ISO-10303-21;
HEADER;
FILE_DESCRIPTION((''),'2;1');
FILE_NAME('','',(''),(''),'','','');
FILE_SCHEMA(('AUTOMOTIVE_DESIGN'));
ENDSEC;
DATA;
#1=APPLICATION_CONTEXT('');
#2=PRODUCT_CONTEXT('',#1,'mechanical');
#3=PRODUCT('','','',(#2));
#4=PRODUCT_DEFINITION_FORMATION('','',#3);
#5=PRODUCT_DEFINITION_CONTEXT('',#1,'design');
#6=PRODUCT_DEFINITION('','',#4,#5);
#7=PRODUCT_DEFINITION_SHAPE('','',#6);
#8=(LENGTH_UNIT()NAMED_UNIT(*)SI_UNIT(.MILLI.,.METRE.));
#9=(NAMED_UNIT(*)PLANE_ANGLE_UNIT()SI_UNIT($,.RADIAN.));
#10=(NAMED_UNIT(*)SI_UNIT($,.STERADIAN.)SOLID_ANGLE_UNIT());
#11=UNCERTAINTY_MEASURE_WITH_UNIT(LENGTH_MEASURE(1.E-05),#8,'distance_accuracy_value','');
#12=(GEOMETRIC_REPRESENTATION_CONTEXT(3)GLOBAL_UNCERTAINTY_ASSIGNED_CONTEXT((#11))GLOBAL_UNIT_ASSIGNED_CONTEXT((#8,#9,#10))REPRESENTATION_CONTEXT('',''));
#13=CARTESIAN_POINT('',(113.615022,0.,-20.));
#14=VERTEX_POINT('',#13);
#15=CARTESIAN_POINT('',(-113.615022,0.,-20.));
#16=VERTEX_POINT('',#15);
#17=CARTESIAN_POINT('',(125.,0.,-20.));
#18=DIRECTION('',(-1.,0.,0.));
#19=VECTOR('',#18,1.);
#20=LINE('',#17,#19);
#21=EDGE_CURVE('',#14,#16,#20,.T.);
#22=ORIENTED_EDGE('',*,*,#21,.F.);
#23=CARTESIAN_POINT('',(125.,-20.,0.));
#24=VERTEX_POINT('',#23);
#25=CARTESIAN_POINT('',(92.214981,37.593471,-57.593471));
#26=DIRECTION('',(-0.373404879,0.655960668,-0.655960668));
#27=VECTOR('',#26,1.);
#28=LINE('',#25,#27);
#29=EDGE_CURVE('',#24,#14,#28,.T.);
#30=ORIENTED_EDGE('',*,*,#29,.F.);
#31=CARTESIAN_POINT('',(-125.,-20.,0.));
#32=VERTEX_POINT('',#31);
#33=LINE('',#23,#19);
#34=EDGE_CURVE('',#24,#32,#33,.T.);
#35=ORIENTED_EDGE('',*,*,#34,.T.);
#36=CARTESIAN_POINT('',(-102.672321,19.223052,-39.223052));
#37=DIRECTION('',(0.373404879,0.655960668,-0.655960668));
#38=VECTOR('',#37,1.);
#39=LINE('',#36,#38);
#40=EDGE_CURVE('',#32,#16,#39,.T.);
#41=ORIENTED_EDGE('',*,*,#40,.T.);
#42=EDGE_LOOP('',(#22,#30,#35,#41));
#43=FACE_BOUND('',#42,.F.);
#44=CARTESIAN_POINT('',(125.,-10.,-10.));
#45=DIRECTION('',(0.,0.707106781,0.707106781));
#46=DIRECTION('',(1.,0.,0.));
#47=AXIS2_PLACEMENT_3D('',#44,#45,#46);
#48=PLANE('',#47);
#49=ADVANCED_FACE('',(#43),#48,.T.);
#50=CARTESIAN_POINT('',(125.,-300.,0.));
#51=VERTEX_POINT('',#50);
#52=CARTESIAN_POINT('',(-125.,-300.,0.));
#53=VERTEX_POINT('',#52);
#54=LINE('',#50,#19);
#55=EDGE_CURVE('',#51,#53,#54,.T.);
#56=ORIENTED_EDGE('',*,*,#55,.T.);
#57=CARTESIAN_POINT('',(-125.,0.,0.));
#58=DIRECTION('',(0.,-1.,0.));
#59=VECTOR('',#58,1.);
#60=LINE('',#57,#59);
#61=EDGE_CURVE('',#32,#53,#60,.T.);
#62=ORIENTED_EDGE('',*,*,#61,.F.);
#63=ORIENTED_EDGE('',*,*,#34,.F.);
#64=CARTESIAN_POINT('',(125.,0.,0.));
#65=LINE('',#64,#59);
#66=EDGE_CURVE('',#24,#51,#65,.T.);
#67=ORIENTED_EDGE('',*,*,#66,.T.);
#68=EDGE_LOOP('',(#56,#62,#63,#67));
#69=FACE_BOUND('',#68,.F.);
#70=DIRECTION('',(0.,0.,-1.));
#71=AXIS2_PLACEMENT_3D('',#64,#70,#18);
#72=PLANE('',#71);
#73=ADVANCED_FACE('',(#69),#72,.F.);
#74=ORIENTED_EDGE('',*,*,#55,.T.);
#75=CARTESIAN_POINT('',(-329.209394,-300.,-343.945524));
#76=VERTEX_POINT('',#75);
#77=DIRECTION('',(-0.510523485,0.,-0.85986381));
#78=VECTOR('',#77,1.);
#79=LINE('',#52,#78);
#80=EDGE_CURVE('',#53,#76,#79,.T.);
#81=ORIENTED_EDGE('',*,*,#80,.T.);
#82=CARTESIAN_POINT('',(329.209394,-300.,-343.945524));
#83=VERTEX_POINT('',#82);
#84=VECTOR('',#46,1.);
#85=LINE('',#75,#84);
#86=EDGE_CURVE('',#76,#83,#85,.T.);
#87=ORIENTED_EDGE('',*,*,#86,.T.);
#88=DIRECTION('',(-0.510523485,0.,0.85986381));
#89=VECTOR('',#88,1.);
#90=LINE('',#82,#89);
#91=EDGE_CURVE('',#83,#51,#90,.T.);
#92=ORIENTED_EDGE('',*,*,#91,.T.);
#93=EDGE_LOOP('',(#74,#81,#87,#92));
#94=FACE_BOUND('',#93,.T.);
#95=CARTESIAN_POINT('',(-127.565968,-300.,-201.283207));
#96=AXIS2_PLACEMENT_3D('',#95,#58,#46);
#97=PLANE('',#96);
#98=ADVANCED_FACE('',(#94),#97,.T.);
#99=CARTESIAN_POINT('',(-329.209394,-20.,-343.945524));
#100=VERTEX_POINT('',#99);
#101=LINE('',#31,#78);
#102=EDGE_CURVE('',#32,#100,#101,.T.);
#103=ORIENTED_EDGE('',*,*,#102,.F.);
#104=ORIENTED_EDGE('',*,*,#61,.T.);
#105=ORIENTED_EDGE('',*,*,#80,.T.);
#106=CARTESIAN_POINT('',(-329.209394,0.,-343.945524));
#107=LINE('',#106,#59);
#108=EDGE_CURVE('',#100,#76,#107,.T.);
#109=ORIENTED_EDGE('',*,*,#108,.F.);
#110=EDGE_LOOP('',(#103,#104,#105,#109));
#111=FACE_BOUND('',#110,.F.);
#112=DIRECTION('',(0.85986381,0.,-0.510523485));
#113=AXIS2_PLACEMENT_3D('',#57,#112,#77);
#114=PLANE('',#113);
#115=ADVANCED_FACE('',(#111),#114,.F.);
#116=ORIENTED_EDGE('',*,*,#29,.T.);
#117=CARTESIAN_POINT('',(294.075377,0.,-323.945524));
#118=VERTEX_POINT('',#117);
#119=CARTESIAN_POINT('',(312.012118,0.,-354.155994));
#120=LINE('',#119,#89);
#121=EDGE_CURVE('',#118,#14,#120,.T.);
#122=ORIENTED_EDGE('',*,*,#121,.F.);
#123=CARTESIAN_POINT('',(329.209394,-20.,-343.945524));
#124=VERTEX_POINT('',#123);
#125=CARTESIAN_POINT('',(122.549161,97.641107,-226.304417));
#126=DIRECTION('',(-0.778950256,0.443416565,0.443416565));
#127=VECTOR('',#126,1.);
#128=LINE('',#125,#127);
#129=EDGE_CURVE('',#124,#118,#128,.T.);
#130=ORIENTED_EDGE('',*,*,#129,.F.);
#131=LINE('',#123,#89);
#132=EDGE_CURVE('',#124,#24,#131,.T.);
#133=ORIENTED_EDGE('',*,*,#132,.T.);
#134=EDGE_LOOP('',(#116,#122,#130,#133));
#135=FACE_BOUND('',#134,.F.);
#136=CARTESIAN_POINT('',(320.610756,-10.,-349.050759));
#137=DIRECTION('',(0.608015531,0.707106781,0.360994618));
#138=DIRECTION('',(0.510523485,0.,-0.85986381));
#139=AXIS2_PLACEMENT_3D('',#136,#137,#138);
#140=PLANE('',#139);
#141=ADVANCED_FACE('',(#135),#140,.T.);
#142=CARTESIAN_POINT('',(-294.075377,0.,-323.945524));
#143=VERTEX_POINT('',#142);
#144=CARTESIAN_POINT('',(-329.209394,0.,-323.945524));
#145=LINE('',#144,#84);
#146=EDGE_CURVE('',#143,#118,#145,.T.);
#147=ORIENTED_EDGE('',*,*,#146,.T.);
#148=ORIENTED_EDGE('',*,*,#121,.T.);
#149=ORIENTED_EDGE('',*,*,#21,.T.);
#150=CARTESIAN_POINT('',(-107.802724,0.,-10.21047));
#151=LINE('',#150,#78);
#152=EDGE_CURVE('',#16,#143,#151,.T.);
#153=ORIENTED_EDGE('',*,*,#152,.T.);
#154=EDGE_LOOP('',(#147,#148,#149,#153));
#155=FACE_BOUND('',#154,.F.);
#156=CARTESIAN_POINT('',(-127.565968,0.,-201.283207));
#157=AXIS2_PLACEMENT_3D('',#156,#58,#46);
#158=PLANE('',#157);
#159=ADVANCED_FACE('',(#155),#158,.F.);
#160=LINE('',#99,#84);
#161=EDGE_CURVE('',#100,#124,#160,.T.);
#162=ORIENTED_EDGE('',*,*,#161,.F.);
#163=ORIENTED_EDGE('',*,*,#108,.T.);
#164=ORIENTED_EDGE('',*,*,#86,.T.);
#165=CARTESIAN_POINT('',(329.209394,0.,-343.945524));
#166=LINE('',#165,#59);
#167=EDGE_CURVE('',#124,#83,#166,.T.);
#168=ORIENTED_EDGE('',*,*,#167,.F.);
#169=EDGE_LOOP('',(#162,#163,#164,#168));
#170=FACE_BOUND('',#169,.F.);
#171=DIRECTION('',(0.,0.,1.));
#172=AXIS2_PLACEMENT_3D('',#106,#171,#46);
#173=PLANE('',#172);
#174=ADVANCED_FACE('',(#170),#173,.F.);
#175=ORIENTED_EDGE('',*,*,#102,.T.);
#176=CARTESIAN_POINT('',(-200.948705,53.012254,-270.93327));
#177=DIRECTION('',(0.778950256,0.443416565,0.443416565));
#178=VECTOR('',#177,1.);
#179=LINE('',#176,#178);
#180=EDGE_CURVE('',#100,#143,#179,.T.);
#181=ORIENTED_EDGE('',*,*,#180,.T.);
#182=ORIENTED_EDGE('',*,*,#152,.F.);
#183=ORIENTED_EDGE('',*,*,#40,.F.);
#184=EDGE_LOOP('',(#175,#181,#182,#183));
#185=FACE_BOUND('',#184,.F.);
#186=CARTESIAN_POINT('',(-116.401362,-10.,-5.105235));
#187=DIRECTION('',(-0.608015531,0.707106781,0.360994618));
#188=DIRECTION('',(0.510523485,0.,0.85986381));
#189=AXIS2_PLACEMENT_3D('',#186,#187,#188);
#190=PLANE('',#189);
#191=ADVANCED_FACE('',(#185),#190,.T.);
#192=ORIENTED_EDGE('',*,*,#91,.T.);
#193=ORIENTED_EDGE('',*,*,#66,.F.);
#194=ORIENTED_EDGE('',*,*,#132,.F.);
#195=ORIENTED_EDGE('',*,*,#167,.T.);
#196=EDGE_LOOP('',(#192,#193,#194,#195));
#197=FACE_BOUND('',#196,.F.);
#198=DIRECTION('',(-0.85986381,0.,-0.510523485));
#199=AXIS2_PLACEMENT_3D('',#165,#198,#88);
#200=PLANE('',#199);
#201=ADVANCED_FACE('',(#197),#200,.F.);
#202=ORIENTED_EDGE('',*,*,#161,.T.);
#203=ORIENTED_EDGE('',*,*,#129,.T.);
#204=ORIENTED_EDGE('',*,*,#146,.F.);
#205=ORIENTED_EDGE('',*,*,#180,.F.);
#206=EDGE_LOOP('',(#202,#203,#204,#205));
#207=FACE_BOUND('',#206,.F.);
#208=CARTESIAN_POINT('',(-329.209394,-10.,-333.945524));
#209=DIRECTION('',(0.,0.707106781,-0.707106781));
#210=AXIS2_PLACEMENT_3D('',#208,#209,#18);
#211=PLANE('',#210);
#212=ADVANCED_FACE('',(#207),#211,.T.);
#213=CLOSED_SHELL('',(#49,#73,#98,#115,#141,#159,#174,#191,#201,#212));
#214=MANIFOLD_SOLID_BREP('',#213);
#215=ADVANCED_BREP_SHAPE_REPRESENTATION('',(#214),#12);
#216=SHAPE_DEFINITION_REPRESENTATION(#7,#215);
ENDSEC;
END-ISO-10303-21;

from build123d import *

# Parameters (mm, degrees)
F1_DEPTH = 300
F2_SIZE  = 20


with BuildPart() as f1:
    # F0 (on Front) → F1 (new body)
    with BuildSketch(Plane.XZ):
        Polygon((0, -343.945524), (0, 0), (-125, 0), (-329.209394, -343.945524), align=None)
        Polygon((125, 0), (0, 0), (0, -343.945524), (329.209394, -343.945524), align=None)
    extrude(amount=F1_DEPTH)

    # F2
    f2_edges = [f1.edges().sort_by_distance(p)[0] for p in [
        (0, 0, -343.945524),
        (227.104697, 0, -171.972762),
        (0, 0, 0),
        (-227.104697, 0, -171.972762),
    ]]
    chamfer(f2_edges, length=F2_SIZE)


solid = f1.part
